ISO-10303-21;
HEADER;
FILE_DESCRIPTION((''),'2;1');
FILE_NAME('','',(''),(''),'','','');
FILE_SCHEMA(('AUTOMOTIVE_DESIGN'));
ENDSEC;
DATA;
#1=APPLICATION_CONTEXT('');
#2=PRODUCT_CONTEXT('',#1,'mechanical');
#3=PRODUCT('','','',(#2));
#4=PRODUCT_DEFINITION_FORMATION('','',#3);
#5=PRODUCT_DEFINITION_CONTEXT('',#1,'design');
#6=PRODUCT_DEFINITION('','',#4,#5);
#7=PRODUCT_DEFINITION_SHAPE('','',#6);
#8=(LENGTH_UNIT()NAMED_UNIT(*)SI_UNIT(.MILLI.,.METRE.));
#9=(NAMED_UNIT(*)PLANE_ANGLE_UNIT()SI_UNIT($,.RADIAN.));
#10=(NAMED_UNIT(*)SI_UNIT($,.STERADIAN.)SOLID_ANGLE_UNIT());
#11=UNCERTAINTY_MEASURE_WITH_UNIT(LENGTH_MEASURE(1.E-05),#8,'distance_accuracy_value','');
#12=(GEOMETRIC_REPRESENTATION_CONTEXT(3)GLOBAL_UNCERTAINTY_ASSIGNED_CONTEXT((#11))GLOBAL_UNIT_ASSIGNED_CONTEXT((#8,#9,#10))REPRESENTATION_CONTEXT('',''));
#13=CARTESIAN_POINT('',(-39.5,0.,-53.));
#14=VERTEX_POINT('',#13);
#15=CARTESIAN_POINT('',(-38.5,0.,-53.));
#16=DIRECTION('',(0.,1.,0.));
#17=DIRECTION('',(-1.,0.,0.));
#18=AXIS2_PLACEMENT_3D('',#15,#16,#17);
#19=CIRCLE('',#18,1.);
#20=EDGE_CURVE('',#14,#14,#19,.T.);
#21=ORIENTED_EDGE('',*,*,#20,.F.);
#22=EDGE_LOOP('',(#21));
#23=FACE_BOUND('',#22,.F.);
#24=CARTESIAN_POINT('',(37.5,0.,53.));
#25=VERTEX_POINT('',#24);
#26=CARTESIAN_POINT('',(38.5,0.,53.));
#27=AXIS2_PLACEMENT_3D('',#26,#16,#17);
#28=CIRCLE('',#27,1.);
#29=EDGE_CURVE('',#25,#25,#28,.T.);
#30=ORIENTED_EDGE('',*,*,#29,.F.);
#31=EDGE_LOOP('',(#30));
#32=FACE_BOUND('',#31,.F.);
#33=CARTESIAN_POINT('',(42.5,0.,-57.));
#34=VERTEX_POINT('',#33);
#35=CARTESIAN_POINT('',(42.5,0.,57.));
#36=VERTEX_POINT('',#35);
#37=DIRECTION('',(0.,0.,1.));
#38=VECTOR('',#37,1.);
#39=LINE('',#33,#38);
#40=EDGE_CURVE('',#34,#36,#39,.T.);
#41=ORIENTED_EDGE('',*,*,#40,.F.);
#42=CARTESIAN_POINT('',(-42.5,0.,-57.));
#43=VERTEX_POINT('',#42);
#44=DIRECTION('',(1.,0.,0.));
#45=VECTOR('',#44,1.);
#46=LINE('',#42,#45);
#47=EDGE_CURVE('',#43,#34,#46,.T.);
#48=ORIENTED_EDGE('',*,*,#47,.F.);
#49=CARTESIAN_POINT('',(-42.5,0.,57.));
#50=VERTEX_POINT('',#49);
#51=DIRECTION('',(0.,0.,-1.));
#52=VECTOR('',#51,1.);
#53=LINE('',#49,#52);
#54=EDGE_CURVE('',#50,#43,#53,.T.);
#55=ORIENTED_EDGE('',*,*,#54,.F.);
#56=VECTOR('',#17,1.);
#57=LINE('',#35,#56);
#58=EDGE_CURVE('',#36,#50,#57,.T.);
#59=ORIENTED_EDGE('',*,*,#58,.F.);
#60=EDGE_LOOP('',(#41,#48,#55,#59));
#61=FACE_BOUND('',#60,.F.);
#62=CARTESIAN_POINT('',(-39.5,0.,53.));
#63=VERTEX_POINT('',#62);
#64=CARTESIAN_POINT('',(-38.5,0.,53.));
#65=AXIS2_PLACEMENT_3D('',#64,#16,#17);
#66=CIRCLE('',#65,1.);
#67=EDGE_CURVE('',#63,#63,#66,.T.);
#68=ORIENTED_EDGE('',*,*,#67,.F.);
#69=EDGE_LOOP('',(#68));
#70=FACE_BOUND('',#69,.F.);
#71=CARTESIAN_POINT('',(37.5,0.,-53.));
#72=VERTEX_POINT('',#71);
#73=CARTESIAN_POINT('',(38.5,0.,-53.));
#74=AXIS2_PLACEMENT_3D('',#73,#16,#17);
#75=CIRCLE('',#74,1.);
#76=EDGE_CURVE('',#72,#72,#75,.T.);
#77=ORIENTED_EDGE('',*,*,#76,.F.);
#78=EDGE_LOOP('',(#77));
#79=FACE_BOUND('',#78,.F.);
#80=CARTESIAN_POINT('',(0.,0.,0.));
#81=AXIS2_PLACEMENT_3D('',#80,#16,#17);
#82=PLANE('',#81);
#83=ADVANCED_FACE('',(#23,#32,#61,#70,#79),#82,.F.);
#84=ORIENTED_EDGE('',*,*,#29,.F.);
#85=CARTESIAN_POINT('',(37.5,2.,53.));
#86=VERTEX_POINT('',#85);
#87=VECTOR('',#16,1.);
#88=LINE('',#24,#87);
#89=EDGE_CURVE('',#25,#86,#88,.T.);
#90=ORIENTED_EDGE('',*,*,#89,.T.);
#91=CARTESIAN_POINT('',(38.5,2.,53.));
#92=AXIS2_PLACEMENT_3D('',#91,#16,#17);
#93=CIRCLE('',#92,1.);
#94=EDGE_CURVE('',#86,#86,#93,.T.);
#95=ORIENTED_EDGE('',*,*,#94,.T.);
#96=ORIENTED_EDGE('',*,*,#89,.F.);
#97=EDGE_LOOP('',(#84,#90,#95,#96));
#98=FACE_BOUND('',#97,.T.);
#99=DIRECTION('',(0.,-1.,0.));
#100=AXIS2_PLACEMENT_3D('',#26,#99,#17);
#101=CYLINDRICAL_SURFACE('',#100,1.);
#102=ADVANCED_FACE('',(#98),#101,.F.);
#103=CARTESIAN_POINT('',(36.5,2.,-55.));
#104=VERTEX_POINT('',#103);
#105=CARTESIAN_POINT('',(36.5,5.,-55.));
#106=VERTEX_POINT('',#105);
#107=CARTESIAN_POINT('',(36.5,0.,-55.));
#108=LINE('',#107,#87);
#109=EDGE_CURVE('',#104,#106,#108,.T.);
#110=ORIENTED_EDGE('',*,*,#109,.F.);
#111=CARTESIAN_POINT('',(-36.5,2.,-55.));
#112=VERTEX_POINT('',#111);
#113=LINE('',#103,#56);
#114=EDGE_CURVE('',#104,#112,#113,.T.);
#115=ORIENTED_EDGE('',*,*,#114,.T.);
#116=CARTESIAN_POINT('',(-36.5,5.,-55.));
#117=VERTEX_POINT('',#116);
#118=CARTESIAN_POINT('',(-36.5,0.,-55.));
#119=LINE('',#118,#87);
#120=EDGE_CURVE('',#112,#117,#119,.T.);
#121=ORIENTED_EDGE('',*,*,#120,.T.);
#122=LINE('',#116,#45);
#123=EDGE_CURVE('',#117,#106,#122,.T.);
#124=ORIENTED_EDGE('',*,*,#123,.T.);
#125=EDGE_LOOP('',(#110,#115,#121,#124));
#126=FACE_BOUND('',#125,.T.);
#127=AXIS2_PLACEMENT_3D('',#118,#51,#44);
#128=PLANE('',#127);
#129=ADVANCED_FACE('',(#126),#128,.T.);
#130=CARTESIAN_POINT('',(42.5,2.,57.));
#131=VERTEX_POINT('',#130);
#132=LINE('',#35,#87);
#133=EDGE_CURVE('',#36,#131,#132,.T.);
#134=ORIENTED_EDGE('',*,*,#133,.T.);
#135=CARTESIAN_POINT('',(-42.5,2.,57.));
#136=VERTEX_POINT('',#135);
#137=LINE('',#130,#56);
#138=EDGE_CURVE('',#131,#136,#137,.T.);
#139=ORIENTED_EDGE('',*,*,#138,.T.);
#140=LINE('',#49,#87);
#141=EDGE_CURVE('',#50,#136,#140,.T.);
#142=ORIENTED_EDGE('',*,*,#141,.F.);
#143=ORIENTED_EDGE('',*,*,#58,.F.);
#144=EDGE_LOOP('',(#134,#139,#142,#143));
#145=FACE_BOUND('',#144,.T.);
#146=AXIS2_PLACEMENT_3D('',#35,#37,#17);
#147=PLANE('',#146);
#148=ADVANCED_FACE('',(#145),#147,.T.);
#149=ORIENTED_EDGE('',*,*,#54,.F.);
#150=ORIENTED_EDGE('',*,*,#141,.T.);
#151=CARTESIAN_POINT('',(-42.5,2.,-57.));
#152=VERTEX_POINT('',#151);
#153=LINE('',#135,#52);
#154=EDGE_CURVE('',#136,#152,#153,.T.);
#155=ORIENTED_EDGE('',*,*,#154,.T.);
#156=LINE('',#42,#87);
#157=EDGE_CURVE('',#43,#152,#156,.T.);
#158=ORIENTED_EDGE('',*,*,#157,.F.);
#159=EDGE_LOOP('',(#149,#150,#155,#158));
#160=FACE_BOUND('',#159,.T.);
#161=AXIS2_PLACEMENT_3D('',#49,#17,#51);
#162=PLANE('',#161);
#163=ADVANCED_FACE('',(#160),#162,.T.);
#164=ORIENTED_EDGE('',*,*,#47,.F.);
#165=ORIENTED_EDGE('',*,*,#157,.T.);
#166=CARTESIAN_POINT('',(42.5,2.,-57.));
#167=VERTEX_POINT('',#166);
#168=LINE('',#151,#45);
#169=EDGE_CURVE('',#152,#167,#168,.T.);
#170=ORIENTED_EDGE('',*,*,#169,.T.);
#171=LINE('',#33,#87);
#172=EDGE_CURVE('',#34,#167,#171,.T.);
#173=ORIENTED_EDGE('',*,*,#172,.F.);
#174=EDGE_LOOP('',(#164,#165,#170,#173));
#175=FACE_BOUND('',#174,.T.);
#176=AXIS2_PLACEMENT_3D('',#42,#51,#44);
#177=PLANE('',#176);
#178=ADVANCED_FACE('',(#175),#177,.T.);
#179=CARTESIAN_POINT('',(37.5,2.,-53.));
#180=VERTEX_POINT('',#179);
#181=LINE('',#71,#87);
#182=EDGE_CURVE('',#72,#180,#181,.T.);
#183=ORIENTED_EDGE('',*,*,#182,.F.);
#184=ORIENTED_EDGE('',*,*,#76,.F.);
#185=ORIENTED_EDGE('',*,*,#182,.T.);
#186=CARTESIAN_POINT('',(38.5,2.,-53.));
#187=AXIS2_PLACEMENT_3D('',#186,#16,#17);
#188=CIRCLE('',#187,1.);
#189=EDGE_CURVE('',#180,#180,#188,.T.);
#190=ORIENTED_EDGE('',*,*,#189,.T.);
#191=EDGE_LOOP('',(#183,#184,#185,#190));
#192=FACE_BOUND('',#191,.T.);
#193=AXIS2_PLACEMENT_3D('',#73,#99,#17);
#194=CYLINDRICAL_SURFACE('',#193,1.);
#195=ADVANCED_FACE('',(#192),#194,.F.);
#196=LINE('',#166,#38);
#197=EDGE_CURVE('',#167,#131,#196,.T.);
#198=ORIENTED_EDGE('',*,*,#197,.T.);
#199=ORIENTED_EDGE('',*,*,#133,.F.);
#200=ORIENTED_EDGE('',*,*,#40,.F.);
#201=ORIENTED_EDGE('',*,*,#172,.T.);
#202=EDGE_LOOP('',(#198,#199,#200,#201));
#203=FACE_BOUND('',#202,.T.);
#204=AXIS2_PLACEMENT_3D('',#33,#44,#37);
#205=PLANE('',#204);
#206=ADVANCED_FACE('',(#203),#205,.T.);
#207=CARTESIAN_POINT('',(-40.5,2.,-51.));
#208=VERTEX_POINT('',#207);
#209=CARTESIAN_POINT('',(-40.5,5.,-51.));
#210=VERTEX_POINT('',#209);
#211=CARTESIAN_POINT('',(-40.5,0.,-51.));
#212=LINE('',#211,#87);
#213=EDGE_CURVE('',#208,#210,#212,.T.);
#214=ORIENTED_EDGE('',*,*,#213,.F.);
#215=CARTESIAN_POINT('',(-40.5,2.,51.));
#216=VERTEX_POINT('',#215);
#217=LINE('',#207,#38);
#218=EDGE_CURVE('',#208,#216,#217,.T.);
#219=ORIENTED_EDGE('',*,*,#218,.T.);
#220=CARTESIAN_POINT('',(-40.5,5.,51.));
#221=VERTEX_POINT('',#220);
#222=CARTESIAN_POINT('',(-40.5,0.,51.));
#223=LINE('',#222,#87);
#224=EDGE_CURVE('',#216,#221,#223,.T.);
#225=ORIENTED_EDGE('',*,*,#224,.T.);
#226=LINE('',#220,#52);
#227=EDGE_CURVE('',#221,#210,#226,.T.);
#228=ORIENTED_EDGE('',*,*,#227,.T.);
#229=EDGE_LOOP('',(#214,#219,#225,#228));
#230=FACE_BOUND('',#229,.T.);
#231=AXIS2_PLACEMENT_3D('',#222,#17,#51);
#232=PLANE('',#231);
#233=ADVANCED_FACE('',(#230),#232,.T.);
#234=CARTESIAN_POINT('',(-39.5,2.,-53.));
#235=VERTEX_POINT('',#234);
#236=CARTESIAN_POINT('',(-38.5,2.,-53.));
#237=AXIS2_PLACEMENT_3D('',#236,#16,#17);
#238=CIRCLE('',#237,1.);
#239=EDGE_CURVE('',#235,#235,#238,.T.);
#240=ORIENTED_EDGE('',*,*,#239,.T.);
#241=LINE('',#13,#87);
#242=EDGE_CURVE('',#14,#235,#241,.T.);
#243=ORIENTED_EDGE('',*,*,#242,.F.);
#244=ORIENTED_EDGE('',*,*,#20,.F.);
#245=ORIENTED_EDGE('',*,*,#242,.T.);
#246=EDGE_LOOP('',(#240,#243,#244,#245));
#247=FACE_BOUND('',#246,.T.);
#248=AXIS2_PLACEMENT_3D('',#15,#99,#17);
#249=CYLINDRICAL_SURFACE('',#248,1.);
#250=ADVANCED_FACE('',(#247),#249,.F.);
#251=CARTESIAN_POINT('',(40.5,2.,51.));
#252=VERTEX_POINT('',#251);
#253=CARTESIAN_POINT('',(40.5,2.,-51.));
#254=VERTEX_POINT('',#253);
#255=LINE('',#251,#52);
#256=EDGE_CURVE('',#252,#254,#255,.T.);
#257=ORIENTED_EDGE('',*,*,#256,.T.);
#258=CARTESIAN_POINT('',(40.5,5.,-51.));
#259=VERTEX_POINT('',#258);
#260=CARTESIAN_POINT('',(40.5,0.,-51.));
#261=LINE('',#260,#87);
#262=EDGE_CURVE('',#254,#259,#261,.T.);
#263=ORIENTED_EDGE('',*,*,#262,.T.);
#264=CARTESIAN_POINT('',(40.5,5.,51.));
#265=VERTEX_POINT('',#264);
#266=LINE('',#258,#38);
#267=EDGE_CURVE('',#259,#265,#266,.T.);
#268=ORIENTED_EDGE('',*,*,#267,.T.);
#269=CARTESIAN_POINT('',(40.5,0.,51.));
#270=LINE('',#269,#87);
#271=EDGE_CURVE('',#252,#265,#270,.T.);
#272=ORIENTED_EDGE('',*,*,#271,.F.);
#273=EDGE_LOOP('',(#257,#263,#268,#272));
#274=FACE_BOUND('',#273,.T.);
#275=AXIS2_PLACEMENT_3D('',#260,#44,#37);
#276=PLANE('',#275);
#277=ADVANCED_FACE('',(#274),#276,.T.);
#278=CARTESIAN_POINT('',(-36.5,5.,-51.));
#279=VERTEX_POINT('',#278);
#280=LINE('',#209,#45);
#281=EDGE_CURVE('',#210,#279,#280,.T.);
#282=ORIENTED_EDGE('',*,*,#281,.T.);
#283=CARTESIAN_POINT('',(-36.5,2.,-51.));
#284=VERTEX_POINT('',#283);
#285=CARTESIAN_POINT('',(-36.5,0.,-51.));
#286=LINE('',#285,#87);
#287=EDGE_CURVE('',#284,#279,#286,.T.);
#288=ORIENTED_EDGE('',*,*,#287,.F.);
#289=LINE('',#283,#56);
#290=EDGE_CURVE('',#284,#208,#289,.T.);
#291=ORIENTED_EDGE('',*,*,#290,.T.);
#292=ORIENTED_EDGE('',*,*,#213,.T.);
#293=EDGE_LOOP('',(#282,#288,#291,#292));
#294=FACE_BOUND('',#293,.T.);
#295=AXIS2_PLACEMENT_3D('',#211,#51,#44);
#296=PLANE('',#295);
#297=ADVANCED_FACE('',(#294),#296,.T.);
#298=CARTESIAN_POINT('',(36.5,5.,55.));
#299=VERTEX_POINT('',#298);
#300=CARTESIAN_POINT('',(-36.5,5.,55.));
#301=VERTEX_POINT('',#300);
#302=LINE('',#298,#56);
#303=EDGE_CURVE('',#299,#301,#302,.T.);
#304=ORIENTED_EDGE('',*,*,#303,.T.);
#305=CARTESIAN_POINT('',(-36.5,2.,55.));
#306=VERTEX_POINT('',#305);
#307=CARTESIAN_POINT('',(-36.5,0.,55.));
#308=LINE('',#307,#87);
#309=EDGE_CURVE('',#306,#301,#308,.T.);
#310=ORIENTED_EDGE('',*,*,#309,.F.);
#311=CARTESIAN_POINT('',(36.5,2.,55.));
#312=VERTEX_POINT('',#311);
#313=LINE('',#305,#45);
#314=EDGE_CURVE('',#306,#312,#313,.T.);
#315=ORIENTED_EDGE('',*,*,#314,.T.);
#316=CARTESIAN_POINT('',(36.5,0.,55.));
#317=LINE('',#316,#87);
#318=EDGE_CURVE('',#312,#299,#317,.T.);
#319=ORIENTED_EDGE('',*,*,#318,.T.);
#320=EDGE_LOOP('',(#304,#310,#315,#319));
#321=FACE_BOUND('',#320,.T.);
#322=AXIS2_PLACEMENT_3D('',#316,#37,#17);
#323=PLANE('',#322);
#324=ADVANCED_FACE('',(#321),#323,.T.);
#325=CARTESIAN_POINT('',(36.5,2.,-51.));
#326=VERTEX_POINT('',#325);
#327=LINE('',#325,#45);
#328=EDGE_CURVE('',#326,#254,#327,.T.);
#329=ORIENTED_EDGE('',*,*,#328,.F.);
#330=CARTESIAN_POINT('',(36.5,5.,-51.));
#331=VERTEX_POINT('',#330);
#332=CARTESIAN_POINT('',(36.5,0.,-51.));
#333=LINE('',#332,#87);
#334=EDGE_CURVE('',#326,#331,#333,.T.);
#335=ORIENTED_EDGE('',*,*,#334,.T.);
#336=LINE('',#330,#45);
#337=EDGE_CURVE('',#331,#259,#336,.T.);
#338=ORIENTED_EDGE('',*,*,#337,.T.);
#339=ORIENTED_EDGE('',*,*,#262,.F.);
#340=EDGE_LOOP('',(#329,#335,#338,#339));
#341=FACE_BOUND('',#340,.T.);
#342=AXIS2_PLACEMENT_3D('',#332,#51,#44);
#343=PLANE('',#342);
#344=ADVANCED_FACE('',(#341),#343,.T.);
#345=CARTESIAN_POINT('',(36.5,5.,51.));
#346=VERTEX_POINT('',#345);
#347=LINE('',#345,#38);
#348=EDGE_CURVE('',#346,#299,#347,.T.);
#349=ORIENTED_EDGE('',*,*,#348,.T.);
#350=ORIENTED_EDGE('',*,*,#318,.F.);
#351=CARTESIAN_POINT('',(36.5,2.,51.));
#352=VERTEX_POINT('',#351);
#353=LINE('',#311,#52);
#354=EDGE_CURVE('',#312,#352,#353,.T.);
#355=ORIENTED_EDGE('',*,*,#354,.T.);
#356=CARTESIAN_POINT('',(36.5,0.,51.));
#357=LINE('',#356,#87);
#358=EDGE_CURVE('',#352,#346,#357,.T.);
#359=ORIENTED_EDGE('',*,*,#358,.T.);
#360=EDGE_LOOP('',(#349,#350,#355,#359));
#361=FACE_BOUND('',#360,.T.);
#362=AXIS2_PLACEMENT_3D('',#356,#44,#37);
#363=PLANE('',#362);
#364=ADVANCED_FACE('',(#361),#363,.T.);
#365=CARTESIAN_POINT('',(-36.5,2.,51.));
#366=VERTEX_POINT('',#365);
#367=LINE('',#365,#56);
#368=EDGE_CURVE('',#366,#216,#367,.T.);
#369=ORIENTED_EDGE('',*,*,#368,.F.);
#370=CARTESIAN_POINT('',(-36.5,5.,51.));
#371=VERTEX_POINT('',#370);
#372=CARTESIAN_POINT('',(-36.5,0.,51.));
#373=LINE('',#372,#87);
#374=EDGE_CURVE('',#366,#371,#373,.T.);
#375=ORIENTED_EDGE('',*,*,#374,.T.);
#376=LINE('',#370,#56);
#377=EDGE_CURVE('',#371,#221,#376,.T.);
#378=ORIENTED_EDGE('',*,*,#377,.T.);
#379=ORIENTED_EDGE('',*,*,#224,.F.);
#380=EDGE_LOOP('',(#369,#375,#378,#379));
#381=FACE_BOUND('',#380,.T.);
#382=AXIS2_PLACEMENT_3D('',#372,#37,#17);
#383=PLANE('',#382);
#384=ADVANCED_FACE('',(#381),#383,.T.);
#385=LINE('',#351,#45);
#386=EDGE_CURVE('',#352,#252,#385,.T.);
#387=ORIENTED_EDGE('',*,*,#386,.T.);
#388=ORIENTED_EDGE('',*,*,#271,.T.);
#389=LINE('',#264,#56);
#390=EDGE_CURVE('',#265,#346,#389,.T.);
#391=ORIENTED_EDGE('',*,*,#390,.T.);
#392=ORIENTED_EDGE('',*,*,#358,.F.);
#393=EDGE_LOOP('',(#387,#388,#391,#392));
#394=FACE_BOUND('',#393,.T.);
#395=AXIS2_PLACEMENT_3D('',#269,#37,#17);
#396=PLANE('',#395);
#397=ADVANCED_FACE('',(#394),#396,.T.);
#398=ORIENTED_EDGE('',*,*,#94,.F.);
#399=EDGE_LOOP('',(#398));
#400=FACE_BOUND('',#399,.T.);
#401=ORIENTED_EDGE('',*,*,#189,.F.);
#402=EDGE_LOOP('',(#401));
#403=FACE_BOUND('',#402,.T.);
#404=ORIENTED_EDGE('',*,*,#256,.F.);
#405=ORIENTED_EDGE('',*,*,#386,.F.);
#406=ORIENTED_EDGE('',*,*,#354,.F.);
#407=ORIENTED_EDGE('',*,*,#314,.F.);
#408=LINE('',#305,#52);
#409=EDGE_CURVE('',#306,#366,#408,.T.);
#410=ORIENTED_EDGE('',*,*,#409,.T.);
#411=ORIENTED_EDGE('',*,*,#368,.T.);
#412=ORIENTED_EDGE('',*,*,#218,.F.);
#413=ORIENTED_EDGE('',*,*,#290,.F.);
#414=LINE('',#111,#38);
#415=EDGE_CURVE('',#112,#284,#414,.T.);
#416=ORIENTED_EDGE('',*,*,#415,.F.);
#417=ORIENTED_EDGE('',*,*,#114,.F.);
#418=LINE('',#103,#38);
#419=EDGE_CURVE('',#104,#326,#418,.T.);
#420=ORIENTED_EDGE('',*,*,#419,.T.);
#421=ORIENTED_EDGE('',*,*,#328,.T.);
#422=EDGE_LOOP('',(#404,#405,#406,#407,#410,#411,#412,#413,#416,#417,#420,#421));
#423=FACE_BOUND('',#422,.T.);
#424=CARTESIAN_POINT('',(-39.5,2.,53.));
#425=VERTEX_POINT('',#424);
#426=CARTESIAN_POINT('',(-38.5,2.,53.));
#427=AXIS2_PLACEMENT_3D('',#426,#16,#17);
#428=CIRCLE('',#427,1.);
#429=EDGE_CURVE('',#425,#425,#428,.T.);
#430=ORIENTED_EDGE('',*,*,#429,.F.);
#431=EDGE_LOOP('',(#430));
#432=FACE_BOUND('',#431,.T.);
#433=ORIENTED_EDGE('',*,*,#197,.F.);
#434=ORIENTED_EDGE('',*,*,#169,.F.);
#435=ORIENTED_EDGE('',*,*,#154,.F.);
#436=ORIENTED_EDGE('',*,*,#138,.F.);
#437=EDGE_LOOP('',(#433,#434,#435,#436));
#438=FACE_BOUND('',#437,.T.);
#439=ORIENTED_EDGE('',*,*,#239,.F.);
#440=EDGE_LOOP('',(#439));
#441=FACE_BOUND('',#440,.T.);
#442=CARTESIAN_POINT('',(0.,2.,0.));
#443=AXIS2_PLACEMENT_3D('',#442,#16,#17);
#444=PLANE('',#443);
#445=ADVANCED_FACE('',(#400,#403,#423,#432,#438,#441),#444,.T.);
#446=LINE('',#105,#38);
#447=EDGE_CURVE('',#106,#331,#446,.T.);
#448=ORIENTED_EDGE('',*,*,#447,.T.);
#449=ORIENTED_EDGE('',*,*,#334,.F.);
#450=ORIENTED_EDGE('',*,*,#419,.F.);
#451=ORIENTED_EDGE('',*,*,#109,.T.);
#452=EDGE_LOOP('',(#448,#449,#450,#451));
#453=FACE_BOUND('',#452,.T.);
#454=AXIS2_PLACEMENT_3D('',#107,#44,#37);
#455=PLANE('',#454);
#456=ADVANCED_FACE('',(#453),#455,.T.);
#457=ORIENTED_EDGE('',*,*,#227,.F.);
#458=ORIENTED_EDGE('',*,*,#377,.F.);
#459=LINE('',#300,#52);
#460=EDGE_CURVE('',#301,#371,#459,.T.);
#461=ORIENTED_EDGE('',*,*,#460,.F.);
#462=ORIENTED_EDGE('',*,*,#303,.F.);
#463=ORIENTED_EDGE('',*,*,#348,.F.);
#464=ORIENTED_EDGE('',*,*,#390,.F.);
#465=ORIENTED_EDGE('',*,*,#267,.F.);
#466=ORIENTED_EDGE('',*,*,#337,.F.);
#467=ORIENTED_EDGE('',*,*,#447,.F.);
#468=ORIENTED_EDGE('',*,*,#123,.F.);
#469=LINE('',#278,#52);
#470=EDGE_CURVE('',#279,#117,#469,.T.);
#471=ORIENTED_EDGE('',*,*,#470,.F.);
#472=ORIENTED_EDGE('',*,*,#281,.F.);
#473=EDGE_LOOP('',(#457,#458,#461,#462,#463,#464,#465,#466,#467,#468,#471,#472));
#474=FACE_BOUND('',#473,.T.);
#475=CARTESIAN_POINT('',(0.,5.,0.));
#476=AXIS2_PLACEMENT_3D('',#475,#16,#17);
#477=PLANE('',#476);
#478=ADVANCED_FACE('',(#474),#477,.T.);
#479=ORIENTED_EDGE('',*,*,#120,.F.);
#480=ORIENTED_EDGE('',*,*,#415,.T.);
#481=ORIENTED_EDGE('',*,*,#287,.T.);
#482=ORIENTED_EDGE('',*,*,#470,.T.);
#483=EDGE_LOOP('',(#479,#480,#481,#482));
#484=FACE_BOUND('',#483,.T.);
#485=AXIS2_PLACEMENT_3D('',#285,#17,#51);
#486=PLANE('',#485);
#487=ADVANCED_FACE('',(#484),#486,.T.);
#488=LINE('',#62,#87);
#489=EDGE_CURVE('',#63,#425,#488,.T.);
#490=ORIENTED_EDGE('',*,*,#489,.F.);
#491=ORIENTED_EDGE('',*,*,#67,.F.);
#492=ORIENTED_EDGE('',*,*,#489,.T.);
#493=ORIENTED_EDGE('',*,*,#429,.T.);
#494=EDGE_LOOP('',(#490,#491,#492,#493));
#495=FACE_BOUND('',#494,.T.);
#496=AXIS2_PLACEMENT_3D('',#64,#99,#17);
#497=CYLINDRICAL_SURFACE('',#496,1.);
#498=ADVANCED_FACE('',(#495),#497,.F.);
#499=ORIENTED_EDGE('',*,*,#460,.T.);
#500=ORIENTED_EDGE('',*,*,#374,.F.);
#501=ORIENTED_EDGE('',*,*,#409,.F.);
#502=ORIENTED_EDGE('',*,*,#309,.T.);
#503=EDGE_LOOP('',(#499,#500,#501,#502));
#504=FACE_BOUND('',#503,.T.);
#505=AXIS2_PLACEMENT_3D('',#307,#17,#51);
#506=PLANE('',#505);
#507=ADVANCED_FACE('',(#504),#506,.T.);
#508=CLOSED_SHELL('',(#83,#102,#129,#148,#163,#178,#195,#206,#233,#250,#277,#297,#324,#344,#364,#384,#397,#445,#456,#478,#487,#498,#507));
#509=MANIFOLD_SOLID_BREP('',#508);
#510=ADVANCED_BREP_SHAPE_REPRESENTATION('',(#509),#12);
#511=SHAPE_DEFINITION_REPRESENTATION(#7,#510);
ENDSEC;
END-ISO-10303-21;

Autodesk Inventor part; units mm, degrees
ref_plane "YZ Plane" through (0, 0, 0) normal (1, 0, 0) x (0, 1, 0)
ref_plane "XY Plane" through (0, 0, 0) normal (0, 0, 1) x (1, 0, 0)
sketch "Sketch7" plane through (0, 0, 0) normal (0, 1, 0) x (-1, 0, 0)
  line L0 (-42.5, 57) -> (42.5, 57)
  line L1 (42.5, 57) -> (42.5, -57)
  line L2 (42.5, -57) -> (-42.5, -57)
  line L3 (-42.5, -57) -> (-42.5, 57)
  line L4 (-42.5, 57) -> (42.5, -57) construction
  line L5 (42.5, 57) -> (-42.5, -57) construction
  line L6 (-40.5, 55) -> (40.5, -55) construction
  line L7 (40.5, 55) -> (-40.5, -55) construction
  line L8 (36.5, 55) -> (36.5, 51)
  line L9 (36.5, 51) -> (40.5, 51)
  line L10 (36.5, -55) -> (36.5, -51)
  line L11 (36.5, -51) -> (40.5, -51)
  line L12 (-36.5, -55) -> (-36.5, -51)
  line L13 (-36.5, -51) -> (-40.5, -51)
  line L14 (-36.5, 55) -> (-36.5, 51)
  line L15 (-36.5, 51) -> (-40.5, 51)
  line L16 (40.5, -51) -> (40.5, 51)
  line L17 (36.5, 55) -> (-36.5, 55)
  line L18 (-40.5, 51) -> (-40.5, -51)
  line L19 (-36.5, -55) -> (36.5, -55)
  circle A0 centre (38.5, 53) radius 1
  circle A1 centre (38.5, -53) radius 1
  circle A2 centre (-38.5, 53) radius 1
  circle A3 centre (-38.5, -53) radius 1
  point P0 (0, 0)
  dimension "d36" = 85
  dimension "d37" = 114
  dimension "d38" = 81
  dimension "d39" = 110
  dimension "d40" = 4
  dimension "d41" = 4
  dimension "d42" = 4
  dimension "d43" = 4
  dimension "d44" = 4
  dimension "d45" = 4
  dimension "d46" = 4
  dimension "d47" = 4
  dimension "d48" = 2
  dimension "d49" = 2
  dimension "d50" = 2
  dimension "d51" = 2
extrude "Extrusion4" add sketch "Sketch7" along normal blind 2
sketch "Sketch8" plane through (0, 0, 0) normal (0, 1, 0) x (-1, 0, 0)
  point P0 (0, 0)
sketch "Sketch9" plane through (0, 0, 0) normal (0, 1, 0) x (-1, 0, 0)
  line L0 (36.5, 55) -> (36.5, 51) projected
  line L1 (36.5, 51) -> (40.5, 51) projected
  line L2 (36.5, 51) -> (40.5, 51)
  line L3 (40.5, -51) -> (36.5, -51) projected
  line L4 (40.5, 51) -> (40.5, -51)
  line L5 (40.5, -51) -> (36.5, -51)
  line L6 (36.5, -51) -> (36.5, -55) projected
  line L7 (36.5, -51) -> (36.5, -55)
  line L8 (36.5, -55) -> (-36.5, -55) projected
  line L9 (36.5, -55) -> (-36.5, -55)
  line L10 (-36.5, -55) -> (-36.5, -51)
  line L11 (-40.5, -51) -> (-40.5, 51) projected
  line L12 (-36.5, -51) -> (-40.5, -51)
  line L13 (-40.5, -51) -> (-40.5, 51)
  line L14 (-40.5, 51) -> (-36.5, 51) projected
  line L15 (-40.5, 51) -> (-36.5, 51)
  line L16 (-36.5, 55) -> (36.5, 55) projected
  line L17 (-36.5, 51) -> (-36.5, 55)
  line L18 (-36.5, 55) -> (36.5, 55)
  line L19 (36.5, 55) -> (36.5, 51)
  point P0 (0, 0)
extrude "Extrusion5" add sketch "Sketch9" along normal blind 5
properties part number "bottom plant watner"
